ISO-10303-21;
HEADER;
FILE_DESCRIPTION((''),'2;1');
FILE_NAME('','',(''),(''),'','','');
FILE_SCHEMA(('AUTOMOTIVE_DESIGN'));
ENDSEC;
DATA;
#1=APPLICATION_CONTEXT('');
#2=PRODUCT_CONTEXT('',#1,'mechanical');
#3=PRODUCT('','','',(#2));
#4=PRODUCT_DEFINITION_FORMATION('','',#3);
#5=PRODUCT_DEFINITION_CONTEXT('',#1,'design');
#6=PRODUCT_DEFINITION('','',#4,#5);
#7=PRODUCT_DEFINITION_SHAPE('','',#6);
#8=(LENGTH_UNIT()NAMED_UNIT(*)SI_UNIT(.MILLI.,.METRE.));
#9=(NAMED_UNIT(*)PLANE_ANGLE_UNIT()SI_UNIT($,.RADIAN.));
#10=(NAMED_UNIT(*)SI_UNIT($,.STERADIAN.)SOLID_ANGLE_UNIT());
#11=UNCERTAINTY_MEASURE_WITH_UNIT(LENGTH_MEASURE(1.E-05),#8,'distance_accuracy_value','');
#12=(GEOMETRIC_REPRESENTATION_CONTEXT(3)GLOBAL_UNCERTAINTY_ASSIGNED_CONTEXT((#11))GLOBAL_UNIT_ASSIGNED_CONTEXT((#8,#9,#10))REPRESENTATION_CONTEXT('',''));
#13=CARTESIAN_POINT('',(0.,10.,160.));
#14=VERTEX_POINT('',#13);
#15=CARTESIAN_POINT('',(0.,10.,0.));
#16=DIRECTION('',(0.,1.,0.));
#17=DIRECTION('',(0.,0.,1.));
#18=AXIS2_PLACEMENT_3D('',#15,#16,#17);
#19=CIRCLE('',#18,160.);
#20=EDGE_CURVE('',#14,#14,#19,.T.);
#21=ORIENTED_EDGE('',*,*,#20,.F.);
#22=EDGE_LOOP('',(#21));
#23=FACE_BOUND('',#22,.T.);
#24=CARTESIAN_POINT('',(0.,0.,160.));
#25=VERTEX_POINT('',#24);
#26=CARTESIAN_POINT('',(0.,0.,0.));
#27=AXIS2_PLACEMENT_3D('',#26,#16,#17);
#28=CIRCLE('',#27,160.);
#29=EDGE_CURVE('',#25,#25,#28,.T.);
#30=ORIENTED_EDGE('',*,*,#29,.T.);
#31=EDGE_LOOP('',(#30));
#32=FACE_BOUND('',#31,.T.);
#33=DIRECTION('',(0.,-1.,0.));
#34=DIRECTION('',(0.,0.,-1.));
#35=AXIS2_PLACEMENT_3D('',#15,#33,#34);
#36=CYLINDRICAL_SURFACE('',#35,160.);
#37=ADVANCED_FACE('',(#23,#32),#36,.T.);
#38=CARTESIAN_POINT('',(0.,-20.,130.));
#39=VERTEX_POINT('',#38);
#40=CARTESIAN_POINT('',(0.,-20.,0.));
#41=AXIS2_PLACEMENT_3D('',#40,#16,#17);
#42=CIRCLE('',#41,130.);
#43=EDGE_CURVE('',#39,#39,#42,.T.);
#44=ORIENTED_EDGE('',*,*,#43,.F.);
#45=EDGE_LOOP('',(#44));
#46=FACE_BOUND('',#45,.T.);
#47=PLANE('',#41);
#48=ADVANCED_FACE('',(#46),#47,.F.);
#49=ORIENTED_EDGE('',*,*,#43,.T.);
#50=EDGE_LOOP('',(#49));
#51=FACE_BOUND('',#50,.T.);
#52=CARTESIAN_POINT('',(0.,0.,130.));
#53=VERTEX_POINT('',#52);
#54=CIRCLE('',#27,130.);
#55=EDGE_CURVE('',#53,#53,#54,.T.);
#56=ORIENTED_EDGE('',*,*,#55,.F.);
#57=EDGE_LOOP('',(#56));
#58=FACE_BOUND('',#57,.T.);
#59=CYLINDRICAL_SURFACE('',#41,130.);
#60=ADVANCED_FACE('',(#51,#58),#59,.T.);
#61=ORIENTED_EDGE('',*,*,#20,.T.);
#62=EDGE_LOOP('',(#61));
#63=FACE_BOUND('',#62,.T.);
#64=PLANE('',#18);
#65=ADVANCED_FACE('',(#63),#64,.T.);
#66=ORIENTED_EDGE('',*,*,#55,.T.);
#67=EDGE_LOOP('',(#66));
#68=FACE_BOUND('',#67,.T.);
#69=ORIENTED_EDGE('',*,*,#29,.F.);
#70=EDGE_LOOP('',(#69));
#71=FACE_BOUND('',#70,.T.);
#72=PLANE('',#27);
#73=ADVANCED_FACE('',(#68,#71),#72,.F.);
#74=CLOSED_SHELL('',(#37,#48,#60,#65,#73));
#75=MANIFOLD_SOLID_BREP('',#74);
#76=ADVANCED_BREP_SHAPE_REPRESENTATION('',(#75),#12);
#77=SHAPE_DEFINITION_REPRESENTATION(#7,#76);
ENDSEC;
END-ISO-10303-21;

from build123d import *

# Parameters (mm, degrees)
SKETCH1_R           = 130
BOSS_EXTRUDE1_DEPTH = 20
SKETCH2_R           = 160
BOSS_EXTRUDE2_DEPTH = 10


with BuildPart() as part:
    # Sketch1 → Boss-Extrude1 (new body)
    with BuildSketch(Plane(origin=(0, 0, 0), x_dir=(1, 0, 0), z_dir=(0, 1, 0))):
        with Locations(Location((0, 0, 0), (0, 0, 270))):
            Circle(SKETCH1_R)
    extrude(amount=-BOSS_EXTRUDE1_DEPTH)

    # Sketch2 → Boss-Extrude2 (add)
    with BuildSketch(Plane(origin=(0, 0, 0), x_dir=(1, 0, 0), z_dir=(0, 1, 0))):
        with Locations(Location((0, 0, 0), (0, 0, 270))):
            Circle(SKETCH2_R)
    extrude(amount=BOSS_EXTRUDE2_DEPTH)


solid = part.part
